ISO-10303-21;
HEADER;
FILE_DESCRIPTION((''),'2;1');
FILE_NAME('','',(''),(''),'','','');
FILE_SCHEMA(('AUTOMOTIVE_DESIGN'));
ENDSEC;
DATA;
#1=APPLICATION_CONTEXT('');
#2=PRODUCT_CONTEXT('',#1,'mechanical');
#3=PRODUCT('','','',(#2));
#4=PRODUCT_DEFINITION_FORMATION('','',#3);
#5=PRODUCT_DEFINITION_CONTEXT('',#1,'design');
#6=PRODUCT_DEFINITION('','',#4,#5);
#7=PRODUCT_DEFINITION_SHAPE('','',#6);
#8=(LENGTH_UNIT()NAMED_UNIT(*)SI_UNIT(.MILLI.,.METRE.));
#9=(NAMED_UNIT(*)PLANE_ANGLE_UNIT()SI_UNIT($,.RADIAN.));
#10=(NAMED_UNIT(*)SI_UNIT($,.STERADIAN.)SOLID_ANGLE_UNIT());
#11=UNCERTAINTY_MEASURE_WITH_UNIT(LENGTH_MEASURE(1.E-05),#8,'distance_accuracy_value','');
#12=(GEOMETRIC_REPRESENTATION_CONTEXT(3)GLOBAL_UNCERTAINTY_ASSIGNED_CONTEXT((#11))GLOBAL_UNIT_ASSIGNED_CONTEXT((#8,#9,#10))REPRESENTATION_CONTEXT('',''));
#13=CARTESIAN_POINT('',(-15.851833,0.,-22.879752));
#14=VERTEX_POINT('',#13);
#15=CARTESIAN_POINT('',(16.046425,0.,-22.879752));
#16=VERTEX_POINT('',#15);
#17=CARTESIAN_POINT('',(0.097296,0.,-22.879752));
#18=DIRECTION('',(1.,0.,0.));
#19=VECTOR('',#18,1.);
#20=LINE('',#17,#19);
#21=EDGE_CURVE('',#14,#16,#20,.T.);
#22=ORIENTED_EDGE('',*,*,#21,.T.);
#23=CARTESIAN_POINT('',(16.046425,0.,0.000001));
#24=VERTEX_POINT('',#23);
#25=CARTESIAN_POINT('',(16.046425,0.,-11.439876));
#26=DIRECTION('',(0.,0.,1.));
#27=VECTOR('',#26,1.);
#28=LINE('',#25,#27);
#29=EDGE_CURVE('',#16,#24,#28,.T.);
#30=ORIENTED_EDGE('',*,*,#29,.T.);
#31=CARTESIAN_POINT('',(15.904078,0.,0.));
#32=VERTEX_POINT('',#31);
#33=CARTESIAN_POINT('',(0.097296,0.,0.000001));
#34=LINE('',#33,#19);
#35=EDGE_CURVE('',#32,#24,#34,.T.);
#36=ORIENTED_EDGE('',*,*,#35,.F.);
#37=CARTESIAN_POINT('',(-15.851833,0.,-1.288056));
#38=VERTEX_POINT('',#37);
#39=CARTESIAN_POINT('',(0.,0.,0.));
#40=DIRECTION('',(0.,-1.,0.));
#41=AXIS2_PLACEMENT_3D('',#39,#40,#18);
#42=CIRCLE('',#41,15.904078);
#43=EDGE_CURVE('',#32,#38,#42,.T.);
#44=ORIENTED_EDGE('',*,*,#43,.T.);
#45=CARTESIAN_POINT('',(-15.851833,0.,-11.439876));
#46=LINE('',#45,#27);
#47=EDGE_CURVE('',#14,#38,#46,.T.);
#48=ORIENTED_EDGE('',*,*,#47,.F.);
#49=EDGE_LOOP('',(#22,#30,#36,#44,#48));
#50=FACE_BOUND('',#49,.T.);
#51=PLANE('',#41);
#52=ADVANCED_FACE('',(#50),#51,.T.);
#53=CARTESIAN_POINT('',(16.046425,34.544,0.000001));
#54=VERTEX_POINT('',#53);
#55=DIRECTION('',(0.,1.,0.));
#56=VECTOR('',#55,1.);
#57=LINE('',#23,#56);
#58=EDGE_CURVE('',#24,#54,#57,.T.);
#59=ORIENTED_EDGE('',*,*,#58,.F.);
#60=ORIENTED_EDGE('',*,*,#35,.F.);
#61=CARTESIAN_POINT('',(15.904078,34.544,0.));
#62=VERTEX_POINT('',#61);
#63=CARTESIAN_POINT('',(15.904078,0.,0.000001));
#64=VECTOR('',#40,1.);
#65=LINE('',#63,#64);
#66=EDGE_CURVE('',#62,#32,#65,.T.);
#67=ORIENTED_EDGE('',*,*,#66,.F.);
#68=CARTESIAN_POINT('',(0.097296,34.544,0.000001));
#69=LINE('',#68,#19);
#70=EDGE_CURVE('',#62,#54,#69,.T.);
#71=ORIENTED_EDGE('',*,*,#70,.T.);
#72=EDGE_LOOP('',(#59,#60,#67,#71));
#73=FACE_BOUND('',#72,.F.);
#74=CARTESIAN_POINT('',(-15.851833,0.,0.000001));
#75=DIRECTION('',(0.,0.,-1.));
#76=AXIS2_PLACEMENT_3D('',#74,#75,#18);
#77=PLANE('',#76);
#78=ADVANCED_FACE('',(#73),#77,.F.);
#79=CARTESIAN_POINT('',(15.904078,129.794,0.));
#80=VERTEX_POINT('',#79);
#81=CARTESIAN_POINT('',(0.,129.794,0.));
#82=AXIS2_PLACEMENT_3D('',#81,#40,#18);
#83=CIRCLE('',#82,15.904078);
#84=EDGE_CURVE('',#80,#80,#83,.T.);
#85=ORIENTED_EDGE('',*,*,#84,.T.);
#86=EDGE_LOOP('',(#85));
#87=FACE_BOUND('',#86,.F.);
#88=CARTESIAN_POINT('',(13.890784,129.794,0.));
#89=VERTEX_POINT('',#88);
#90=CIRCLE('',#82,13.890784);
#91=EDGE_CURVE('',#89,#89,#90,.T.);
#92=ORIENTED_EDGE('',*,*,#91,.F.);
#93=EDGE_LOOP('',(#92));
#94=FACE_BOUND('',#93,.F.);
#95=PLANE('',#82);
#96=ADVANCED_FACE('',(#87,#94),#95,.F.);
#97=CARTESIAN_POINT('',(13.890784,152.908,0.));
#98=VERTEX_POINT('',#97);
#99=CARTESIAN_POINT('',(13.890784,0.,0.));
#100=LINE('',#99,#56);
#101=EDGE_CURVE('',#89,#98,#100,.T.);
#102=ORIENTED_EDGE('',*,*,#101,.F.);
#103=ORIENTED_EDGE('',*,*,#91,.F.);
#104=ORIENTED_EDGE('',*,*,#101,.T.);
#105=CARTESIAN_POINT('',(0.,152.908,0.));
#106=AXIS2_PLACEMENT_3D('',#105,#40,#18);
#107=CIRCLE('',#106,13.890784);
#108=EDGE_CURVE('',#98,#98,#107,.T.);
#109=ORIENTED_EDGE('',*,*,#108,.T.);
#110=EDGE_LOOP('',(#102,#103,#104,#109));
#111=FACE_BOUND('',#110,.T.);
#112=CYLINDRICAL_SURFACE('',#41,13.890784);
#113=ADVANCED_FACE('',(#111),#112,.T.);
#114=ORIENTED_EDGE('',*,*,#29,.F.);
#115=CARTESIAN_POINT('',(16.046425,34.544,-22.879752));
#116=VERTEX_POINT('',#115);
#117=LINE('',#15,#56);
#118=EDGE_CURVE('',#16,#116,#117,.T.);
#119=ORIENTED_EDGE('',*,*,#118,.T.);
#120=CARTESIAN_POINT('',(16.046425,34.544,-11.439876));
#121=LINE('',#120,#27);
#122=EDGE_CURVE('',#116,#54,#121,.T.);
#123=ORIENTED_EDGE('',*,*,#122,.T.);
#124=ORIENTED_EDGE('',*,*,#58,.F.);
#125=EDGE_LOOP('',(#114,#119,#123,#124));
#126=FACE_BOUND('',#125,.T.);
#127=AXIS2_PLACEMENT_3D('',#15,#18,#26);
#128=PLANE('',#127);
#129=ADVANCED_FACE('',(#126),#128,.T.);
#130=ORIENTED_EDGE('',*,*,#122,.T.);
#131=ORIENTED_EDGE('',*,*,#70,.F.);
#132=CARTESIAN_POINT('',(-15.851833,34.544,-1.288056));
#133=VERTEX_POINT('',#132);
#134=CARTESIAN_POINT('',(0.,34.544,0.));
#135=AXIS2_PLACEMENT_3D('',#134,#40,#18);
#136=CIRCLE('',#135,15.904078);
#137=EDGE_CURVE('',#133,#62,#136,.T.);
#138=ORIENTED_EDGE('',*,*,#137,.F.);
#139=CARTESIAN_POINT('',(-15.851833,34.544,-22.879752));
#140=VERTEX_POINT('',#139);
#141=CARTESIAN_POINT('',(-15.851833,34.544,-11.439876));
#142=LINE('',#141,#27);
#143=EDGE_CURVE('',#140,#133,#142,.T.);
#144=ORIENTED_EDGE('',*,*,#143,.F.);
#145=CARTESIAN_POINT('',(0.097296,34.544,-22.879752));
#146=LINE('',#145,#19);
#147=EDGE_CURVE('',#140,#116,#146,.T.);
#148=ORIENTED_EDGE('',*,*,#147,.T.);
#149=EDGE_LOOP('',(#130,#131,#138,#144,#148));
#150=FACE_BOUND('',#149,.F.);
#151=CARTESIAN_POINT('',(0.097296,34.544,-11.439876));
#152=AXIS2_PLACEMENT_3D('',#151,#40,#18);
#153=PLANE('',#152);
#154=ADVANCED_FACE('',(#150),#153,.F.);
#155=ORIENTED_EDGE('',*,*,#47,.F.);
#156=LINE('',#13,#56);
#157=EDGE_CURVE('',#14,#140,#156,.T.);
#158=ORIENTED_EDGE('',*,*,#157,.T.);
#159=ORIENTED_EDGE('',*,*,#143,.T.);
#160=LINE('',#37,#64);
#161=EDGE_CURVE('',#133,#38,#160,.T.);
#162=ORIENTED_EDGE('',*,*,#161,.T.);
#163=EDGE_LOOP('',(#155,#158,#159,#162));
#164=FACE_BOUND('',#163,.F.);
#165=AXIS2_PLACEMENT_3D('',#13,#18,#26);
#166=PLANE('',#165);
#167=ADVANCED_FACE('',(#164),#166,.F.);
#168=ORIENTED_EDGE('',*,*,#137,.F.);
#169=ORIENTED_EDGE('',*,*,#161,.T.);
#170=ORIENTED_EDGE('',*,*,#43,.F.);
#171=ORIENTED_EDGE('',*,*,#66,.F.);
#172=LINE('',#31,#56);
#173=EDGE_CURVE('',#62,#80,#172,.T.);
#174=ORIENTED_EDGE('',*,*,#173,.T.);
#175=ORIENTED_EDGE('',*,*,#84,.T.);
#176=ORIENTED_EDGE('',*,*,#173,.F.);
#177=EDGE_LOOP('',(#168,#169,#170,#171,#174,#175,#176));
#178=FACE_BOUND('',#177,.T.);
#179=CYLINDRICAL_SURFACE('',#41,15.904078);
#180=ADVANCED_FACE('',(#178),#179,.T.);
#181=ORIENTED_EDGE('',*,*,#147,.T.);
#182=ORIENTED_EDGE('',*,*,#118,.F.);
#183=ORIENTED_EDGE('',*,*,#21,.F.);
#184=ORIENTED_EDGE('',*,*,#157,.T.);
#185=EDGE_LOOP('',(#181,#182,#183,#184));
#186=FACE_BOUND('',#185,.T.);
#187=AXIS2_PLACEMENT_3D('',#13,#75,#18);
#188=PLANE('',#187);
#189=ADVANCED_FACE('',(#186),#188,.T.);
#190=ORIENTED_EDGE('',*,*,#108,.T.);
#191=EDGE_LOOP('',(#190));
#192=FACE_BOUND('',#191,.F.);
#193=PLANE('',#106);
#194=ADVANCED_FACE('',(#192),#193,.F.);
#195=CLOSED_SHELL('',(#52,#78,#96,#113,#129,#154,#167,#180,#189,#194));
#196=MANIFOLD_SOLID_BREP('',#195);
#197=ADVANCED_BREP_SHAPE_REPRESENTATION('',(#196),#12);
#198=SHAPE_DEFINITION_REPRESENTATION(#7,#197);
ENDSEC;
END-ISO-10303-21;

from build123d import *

# Parameters (mm, degrees)
F0_R     = 15.904078
F1_DEPTH = 129.794
F2_W     = 31.898258
F2_H     = 22.879753
F3_DEPTH = 34.544
F4_R     = 13.890784
F5_DEPTH = 152.908


with BuildPart() as f1:
    # F0 (on Front) → F1 (new body)
    with BuildSketch(Plane.XZ):
        Circle(F0_R)
    extrude(amount=-F1_DEPTH)

    # F2 (on Front) → F3 (join)
    with BuildSketch(Plane.XZ):
        with Locations((0.097296, -11.439876)):
            Rectangle(F2_W, F2_H)
    extrude(amount=-F3_DEPTH)

    # F4 (on Front) → F5 (join)
    with BuildSketch(Plane.XZ):
        Circle(F4_R)
    extrude(amount=-F5_DEPTH)


solid = f1.part
